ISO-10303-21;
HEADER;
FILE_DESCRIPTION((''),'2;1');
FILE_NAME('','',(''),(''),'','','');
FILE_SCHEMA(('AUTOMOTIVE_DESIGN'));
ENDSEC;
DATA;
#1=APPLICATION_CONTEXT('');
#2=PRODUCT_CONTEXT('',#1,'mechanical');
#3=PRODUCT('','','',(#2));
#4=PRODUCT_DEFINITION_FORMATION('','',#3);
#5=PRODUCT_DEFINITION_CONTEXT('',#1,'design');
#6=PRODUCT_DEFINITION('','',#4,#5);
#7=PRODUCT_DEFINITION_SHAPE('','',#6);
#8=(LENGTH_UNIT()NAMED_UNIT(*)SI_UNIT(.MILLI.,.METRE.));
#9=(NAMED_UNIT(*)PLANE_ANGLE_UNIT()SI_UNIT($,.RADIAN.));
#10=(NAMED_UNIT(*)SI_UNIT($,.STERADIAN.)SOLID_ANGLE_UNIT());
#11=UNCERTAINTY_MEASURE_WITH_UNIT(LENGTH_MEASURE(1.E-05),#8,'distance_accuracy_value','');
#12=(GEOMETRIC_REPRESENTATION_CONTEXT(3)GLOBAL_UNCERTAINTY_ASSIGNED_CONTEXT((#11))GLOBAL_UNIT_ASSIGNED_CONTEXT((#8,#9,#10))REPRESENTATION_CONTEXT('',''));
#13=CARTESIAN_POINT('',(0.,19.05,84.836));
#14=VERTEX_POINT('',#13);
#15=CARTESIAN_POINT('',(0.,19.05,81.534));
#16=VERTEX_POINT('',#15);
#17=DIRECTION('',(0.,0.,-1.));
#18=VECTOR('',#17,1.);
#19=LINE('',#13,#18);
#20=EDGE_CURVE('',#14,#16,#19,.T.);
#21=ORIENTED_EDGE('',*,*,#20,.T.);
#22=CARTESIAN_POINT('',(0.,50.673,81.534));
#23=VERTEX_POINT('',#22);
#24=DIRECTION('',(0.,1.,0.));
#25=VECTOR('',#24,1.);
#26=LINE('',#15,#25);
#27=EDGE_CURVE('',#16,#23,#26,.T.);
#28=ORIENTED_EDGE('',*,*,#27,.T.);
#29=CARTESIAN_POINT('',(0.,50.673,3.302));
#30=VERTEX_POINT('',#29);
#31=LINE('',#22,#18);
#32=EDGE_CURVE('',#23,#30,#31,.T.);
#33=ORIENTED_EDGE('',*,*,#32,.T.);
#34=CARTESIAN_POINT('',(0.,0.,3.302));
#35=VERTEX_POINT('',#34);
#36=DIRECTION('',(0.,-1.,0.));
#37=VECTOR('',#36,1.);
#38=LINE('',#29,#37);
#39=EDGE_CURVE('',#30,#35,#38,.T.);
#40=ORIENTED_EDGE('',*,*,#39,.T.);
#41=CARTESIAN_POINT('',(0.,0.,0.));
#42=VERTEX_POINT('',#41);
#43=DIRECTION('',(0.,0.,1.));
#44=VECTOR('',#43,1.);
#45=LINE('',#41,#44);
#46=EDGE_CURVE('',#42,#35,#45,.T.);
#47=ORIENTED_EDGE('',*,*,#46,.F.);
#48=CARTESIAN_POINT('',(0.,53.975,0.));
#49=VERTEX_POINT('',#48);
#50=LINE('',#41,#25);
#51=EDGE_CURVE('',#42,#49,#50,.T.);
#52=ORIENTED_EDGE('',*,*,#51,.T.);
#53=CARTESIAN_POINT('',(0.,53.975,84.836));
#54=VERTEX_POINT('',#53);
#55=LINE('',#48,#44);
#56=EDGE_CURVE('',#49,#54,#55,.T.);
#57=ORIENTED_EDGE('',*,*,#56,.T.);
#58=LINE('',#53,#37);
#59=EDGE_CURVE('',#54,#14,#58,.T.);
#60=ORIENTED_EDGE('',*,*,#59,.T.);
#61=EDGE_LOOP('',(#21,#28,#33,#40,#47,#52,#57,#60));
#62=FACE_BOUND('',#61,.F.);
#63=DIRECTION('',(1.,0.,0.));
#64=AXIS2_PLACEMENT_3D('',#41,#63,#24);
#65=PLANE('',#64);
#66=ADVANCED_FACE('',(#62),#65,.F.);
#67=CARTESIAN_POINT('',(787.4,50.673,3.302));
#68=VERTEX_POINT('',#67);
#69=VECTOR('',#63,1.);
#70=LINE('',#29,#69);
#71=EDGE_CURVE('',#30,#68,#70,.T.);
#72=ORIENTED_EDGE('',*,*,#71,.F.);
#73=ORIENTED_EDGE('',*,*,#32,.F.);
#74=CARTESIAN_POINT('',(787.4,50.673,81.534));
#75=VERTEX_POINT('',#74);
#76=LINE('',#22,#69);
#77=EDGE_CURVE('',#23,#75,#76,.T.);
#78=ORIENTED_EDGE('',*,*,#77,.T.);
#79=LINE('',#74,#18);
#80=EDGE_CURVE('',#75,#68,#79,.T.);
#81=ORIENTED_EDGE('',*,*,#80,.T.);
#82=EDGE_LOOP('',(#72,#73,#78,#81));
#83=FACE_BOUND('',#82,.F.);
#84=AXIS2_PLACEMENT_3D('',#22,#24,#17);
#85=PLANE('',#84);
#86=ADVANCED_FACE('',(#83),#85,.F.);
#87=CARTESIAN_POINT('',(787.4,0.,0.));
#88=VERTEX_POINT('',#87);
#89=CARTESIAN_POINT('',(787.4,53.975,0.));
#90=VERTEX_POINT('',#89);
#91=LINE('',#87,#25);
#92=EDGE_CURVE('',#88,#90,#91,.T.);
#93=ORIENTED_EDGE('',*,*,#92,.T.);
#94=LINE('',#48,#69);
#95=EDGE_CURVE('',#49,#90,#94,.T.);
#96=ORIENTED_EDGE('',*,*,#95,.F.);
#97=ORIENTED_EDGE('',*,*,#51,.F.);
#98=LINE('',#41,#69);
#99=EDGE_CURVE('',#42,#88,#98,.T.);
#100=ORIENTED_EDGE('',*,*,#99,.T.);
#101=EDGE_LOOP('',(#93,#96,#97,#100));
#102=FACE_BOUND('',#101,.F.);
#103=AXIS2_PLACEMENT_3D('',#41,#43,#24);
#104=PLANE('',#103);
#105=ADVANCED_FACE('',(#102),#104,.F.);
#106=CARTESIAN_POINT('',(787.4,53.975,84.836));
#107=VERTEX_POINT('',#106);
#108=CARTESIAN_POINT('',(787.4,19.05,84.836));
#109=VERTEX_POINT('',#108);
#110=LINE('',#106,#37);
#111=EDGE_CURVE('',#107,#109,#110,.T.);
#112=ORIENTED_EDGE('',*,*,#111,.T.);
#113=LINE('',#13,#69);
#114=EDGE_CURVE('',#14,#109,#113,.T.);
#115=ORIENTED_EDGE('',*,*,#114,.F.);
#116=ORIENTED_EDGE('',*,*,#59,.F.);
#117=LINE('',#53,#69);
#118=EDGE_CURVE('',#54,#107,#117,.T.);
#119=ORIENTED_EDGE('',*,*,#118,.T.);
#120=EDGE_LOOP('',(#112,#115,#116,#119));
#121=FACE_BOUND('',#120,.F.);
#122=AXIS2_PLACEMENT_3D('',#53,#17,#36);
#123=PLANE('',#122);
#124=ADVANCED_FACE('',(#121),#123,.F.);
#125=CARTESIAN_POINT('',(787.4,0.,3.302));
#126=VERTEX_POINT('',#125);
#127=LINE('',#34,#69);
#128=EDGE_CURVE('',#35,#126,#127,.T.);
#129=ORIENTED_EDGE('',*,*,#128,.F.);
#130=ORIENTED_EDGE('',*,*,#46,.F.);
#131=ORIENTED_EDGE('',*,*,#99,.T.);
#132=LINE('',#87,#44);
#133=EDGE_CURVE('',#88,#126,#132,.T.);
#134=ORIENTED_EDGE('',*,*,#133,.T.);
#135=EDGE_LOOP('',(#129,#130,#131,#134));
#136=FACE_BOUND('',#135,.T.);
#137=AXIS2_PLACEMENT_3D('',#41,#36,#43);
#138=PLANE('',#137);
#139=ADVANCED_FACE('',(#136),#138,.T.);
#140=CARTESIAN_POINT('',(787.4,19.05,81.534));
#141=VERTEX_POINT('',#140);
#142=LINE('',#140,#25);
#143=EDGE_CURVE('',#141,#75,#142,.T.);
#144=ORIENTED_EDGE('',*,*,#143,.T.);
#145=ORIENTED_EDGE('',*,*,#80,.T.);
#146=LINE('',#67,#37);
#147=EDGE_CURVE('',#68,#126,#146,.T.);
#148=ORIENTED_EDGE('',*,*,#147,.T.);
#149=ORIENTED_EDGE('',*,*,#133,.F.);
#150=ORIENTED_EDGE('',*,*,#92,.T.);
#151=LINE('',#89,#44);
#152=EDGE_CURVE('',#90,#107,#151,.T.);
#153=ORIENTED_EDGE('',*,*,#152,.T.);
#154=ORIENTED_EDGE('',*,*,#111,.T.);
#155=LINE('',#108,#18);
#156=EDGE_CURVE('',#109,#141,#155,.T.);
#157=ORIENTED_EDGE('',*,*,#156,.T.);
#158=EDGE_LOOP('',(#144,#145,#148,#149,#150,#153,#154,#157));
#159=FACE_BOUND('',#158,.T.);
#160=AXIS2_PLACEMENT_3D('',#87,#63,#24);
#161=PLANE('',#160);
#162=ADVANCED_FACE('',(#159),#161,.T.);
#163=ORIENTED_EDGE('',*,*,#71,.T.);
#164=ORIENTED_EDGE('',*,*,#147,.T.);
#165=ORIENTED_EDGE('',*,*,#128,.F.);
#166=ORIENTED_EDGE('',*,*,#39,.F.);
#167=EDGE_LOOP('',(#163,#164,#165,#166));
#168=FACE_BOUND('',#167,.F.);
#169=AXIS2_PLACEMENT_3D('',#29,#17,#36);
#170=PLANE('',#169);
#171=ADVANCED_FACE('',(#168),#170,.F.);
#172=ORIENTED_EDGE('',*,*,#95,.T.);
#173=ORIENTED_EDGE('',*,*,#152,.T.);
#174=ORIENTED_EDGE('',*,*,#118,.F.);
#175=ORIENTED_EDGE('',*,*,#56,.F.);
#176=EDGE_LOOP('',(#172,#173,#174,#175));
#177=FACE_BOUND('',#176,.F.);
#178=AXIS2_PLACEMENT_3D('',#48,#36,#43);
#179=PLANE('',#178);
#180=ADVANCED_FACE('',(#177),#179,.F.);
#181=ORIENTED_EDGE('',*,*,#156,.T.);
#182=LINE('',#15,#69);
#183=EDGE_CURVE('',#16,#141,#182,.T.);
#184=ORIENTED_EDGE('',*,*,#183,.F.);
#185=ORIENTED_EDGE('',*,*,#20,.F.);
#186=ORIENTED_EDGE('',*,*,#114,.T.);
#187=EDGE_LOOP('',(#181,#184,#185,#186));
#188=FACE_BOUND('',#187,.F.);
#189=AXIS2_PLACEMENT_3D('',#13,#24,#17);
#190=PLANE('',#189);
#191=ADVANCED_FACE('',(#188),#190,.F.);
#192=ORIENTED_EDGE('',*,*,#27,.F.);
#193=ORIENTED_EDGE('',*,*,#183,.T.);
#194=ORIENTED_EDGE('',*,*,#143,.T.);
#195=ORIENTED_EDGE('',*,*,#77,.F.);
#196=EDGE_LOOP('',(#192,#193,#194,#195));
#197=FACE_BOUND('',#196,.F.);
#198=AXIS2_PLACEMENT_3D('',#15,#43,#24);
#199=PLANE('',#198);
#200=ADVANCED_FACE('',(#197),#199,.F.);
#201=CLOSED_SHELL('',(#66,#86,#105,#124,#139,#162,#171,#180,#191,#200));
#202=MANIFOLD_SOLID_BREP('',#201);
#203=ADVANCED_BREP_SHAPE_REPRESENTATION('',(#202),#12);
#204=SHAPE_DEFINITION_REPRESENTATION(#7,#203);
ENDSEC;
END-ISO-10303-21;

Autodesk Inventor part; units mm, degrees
ref_plane "YZ Plane" through (0, 0, 0) normal (1, 0, 0) x (0, 1, 0)
ref_plane "XZ Plane" through (0, 0, 0) normal (0, 1, 0) x (-1, 0, 0)
ref_plane "XY Plane" through (0, 0, 0) normal (0, 0, 1) x (1, 0, 0)
sketch "Sketch1" plane through (0, 0, 0) normal (1, 0, 0) x (0, 1, 0)
  line L0 (0, 0) -> (0, 3.302)
  line L1 (0, 0) -> (53.975, 0)
  line L2 (53.975, 0) -> (53.975, 84.836)
  line L3 (53.975, 84.836) -> (19.05, 84.836)
  line L4 (19.05, 84.836) -> (19.05, 81.534)
  line L5 (19.05, 81.534) -> (50.673, 81.534)
  line L6 (50.673, 81.534) -> (50.673, 3.302)
  line L7 (50.673, 3.302) -> (0, 3.302)
  dimension "d0" = 3.302
  dimension "d1" = 53.975
  dimension "d2" = 84.836
  dimension "d3" = 34.925
  dimension "d4" = 3.302
  dimension "d5" = 31.623
extrude "Extrusion1" add sketch "Sketch1" along normal blind 787.4
properties part number "am-3920 AM14U"
